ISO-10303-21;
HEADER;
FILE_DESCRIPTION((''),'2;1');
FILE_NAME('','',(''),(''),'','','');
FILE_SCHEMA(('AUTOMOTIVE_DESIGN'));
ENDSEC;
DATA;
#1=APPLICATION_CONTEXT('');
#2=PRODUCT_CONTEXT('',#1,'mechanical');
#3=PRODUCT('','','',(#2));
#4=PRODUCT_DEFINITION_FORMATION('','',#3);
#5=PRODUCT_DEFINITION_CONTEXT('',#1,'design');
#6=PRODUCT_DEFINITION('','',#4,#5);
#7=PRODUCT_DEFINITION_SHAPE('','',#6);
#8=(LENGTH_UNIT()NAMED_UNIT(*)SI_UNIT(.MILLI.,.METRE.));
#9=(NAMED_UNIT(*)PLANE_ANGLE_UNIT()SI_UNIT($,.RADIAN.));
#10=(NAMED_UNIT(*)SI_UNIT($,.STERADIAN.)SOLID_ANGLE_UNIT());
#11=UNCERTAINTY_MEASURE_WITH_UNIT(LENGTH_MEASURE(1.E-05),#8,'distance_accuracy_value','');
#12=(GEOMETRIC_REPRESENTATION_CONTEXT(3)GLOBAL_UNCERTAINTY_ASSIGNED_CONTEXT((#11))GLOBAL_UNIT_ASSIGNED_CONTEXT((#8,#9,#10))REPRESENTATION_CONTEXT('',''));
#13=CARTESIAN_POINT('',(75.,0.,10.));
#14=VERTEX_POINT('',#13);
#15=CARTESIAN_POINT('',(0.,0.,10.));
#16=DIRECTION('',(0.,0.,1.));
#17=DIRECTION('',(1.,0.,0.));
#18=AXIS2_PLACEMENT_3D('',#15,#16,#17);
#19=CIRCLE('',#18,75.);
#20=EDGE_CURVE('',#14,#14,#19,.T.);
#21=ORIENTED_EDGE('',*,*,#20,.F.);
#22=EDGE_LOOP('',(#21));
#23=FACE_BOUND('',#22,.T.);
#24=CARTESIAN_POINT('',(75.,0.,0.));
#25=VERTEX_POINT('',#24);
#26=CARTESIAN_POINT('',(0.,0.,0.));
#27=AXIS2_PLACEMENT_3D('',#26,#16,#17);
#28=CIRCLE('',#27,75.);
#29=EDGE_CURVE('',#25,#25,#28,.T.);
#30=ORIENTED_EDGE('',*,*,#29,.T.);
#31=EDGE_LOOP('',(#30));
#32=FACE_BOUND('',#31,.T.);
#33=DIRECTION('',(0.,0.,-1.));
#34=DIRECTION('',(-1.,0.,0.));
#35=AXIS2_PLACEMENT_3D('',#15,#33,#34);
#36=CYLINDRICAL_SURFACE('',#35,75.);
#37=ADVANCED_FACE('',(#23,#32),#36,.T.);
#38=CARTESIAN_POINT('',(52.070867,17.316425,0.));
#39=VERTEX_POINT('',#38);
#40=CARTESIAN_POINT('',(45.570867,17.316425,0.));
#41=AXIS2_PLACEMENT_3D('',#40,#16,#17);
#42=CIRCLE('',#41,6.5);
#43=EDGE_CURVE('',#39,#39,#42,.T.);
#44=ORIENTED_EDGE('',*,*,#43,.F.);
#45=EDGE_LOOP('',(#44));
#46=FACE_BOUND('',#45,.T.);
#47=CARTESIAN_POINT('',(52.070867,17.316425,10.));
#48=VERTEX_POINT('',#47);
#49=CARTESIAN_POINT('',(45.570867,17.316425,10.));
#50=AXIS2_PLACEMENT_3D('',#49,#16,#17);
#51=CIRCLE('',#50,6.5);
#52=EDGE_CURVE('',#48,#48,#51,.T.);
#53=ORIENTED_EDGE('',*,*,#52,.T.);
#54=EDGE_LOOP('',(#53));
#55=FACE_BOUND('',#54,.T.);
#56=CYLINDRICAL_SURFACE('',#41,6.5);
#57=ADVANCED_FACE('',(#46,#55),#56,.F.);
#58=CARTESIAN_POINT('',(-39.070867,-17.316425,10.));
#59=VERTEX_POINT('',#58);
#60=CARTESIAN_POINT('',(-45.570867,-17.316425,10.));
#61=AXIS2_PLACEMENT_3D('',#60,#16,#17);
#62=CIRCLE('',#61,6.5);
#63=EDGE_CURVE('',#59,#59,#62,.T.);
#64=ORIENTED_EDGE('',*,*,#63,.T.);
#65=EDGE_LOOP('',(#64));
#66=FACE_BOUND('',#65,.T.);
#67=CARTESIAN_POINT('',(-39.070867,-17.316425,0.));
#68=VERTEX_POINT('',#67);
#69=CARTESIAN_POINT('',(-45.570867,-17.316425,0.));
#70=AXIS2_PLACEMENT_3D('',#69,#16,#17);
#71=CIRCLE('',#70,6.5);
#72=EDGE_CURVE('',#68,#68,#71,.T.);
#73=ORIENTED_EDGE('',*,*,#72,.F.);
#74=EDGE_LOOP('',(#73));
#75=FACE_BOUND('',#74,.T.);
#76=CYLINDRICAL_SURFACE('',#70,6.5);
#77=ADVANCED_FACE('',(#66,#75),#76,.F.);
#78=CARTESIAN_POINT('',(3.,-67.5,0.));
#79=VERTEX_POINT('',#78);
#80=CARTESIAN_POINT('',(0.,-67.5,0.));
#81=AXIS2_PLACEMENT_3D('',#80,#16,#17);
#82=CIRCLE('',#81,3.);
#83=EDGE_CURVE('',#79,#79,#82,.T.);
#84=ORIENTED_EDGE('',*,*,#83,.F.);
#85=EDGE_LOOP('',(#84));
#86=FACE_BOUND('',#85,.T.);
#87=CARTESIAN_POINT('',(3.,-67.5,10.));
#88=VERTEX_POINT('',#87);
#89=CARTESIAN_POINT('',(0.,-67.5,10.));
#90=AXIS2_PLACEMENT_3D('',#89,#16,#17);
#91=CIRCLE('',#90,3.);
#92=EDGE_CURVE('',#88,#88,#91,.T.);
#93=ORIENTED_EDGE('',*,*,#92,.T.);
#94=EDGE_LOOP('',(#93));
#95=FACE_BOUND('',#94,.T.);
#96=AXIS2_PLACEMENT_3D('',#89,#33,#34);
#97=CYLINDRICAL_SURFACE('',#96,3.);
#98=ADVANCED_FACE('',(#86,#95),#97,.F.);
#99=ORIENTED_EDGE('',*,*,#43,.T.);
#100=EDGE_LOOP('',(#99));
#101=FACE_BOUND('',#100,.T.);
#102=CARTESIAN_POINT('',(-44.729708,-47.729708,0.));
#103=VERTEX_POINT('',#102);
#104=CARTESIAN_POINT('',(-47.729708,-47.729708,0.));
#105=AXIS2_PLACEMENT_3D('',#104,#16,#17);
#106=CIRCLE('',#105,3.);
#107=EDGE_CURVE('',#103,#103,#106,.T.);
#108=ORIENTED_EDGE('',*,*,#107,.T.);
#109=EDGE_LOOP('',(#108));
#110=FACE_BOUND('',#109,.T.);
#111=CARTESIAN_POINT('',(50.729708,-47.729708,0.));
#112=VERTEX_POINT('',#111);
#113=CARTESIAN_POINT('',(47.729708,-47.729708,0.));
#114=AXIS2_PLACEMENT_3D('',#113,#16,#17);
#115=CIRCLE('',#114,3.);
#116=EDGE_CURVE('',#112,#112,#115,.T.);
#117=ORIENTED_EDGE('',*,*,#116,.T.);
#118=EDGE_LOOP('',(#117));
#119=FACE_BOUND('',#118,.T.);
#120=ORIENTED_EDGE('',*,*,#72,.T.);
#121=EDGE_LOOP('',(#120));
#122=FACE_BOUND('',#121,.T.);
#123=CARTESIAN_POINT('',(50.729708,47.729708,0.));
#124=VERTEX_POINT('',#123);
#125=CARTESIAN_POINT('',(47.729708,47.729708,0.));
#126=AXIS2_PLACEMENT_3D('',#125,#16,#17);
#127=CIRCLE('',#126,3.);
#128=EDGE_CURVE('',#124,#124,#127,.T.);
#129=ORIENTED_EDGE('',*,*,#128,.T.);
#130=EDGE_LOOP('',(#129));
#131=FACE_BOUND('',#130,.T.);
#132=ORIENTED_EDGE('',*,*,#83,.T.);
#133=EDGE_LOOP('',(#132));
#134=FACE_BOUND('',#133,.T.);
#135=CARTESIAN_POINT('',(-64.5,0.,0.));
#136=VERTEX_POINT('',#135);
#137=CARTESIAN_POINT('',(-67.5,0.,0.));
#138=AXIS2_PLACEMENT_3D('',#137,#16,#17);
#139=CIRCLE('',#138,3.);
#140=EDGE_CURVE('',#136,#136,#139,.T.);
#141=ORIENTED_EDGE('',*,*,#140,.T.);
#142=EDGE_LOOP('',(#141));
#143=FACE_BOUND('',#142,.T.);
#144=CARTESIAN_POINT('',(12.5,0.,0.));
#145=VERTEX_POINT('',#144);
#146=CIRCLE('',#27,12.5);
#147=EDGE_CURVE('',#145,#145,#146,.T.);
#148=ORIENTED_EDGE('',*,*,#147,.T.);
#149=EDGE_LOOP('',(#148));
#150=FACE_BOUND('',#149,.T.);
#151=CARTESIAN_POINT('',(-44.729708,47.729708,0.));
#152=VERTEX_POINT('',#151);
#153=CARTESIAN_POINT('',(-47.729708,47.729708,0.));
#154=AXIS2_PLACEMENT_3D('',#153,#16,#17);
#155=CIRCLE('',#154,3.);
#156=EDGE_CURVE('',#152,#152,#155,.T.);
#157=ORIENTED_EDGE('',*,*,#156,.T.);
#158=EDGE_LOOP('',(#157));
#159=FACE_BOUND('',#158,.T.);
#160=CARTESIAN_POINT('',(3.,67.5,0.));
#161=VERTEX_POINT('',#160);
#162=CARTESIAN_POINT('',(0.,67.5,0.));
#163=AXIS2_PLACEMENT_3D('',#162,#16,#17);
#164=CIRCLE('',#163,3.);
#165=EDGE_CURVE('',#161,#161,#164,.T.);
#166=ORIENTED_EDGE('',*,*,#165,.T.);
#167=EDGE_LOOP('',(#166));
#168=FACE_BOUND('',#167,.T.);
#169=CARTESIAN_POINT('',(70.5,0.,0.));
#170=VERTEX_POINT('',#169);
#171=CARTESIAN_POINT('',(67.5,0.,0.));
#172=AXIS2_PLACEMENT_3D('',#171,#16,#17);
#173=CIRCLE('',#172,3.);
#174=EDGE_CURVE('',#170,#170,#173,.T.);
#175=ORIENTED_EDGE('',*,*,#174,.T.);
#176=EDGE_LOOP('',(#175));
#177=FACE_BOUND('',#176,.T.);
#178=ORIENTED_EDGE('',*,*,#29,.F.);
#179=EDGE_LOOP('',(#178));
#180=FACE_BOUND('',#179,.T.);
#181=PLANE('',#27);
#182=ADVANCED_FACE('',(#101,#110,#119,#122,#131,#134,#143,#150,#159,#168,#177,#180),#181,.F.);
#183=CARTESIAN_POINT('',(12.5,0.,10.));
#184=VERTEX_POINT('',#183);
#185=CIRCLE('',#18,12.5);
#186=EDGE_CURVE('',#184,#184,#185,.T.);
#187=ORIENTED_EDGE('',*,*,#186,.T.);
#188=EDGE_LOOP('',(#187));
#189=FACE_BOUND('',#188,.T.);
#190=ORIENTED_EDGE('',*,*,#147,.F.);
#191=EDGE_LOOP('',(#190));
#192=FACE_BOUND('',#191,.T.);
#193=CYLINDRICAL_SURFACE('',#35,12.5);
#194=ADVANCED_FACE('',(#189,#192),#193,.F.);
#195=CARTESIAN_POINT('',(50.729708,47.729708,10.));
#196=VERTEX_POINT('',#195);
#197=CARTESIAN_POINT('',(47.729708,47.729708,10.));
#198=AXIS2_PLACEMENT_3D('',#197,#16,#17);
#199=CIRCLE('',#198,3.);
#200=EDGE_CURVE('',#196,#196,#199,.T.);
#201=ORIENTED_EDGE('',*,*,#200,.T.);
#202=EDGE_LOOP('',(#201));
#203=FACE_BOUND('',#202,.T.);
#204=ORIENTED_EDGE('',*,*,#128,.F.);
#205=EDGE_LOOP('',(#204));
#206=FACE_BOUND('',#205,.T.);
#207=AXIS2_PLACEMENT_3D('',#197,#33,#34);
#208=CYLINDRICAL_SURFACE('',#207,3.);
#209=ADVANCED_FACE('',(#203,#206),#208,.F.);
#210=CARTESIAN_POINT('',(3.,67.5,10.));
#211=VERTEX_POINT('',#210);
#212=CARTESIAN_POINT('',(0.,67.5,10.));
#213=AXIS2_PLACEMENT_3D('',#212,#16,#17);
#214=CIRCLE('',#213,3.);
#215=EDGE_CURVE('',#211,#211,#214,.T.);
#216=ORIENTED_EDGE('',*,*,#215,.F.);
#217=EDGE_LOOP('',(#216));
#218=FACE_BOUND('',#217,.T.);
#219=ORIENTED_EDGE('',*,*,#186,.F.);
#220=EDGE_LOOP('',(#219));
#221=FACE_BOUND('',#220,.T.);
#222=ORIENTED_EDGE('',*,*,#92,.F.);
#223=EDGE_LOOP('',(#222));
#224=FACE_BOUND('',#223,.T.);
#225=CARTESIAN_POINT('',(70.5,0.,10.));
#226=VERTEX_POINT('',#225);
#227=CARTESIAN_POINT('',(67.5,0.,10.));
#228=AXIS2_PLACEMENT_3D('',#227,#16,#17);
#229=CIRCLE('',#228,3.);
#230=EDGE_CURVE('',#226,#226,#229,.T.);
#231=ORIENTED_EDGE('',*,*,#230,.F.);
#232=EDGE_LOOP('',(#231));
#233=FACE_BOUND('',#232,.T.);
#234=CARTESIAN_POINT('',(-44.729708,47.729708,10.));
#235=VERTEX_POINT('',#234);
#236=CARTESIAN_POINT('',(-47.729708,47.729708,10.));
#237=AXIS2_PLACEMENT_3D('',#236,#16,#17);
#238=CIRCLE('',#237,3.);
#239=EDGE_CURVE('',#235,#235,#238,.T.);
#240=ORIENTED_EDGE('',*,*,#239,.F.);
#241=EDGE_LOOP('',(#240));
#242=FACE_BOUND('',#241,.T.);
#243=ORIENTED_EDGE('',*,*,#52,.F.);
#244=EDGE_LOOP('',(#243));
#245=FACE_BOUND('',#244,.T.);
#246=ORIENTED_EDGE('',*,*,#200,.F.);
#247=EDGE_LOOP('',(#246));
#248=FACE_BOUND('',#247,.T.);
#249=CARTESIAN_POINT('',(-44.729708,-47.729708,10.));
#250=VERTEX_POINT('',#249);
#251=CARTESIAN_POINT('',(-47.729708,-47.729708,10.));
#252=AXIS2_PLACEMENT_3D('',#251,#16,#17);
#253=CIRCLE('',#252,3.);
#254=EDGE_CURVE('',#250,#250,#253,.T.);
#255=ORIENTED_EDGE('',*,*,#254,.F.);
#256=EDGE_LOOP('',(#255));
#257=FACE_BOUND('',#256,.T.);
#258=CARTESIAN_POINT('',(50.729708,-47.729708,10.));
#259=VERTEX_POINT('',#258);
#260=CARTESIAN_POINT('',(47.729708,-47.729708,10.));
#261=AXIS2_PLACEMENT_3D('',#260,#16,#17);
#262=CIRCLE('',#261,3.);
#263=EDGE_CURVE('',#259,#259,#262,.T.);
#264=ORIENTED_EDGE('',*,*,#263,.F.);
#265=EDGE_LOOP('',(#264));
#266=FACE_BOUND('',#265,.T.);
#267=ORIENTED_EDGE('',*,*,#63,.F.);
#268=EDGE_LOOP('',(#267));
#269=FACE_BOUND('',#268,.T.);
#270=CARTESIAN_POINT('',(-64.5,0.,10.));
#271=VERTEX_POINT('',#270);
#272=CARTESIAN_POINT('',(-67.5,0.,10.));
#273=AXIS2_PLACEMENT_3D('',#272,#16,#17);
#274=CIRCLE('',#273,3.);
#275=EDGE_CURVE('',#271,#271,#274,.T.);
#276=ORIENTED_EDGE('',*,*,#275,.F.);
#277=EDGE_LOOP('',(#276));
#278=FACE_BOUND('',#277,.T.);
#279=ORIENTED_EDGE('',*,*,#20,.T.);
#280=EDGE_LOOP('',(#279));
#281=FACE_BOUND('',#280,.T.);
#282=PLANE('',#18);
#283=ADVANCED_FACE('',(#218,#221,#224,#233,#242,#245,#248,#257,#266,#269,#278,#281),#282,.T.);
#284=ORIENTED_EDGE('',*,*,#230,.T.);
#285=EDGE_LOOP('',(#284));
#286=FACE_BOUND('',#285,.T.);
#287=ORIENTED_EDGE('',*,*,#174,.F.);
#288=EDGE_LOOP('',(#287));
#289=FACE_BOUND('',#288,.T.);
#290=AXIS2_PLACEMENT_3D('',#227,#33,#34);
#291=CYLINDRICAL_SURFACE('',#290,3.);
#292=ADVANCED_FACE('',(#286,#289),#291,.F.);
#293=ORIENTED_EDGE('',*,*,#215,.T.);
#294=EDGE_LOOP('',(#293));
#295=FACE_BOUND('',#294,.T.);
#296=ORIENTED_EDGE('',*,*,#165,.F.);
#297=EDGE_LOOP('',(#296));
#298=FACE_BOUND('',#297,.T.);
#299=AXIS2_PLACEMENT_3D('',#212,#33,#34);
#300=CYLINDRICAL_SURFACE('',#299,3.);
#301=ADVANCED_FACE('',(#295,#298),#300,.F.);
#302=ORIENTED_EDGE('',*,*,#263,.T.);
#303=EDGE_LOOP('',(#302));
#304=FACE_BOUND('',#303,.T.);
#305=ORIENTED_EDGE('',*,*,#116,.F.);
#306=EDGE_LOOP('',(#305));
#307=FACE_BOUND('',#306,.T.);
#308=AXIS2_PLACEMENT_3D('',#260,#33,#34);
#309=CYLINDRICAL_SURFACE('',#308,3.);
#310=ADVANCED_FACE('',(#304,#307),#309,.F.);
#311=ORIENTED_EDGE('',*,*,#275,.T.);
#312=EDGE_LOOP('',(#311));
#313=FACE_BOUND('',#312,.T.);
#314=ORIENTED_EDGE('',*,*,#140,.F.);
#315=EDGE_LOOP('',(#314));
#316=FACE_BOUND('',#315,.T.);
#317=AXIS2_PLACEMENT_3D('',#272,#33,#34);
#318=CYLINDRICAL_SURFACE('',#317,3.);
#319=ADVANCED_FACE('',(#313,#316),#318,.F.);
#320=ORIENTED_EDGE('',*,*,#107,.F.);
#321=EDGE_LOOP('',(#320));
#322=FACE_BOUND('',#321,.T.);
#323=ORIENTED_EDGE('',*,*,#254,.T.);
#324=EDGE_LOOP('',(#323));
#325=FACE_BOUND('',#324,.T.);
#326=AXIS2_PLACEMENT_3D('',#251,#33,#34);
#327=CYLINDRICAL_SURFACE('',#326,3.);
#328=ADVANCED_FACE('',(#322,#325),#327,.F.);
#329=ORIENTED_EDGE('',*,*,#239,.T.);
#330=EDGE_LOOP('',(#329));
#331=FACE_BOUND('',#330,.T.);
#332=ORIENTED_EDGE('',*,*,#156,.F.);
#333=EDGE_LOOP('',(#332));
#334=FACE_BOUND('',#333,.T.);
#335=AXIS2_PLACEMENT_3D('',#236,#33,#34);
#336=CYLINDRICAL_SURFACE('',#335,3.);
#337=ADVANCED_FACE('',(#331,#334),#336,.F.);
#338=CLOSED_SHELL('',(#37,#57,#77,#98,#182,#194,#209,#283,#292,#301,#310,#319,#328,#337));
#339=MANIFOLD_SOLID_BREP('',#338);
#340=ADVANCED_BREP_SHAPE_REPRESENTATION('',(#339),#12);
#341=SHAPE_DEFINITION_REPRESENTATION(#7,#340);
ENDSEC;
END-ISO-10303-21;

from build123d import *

# Parameters (mm, degrees)
CROQUIS1_R              = 75
CROQUIS1_R_2            = 3
CROQUIS1_R_3            = 12.5
SALIENTE_EXTRUIR1_DEPTH = 10
CROQUIS2_R              = 6.5
CORTAR_EXTRUIR1_DEPTH   = 10


with BuildPart() as part:
    # Croquis1 → Saliente-Extruir1 (new body)
    with BuildSketch(Plane.XY):
        Circle(CROQUIS1_R)
        with Locations((0, 67.5)):
            Circle(CROQUIS1_R_2, mode=Mode.SUBTRACT)
        with Locations((47.72970773, 47.72970773)):
            Circle(CROQUIS1_R_2, mode=Mode.SUBTRACT)
        with Locations((67.5, 0)):
            Circle(CROQUIS1_R_2, mode=Mode.SUBTRACT)
        with Locations((47.72970773, -47.72970773)):
            Circle(CROQUIS1_R_2, mode=Mode.SUBTRACT)
        with Locations((0, -67.5)):
            Circle(CROQUIS1_R_2, mode=Mode.SUBTRACT)
        with Locations((-47.72970773, -47.72970773)):
            Circle(CROQUIS1_R_2, mode=Mode.SUBTRACT)
        with Locations((-67.5, 0)):
            Circle(CROQUIS1_R_2, mode=Mode.SUBTRACT)
        with Locations((-47.72970773, 47.72970773)):
            Circle(CROQUIS1_R_2, mode=Mode.SUBTRACT)
        Circle(CROQUIS1_R_3, mode=Mode.SUBTRACT)
    extrude(amount=SALIENTE_EXTRUIR1_DEPTH)

    # Croquis2 → Cortar-Extruir1 (cut)
    with BuildSketch(Plane.XY.offset(10)):
        with Locations((45.570866947, 17.316425315)):
            Circle(CROQUIS2_R)
        with Locations((-45.570866947, -17.316425315)):
            Circle(CROQUIS2_R)
    extrude(amount=-CORTAR_EXTRUIR1_DEPTH, mode=Mode.SUBTRACT)


solid = part.part
